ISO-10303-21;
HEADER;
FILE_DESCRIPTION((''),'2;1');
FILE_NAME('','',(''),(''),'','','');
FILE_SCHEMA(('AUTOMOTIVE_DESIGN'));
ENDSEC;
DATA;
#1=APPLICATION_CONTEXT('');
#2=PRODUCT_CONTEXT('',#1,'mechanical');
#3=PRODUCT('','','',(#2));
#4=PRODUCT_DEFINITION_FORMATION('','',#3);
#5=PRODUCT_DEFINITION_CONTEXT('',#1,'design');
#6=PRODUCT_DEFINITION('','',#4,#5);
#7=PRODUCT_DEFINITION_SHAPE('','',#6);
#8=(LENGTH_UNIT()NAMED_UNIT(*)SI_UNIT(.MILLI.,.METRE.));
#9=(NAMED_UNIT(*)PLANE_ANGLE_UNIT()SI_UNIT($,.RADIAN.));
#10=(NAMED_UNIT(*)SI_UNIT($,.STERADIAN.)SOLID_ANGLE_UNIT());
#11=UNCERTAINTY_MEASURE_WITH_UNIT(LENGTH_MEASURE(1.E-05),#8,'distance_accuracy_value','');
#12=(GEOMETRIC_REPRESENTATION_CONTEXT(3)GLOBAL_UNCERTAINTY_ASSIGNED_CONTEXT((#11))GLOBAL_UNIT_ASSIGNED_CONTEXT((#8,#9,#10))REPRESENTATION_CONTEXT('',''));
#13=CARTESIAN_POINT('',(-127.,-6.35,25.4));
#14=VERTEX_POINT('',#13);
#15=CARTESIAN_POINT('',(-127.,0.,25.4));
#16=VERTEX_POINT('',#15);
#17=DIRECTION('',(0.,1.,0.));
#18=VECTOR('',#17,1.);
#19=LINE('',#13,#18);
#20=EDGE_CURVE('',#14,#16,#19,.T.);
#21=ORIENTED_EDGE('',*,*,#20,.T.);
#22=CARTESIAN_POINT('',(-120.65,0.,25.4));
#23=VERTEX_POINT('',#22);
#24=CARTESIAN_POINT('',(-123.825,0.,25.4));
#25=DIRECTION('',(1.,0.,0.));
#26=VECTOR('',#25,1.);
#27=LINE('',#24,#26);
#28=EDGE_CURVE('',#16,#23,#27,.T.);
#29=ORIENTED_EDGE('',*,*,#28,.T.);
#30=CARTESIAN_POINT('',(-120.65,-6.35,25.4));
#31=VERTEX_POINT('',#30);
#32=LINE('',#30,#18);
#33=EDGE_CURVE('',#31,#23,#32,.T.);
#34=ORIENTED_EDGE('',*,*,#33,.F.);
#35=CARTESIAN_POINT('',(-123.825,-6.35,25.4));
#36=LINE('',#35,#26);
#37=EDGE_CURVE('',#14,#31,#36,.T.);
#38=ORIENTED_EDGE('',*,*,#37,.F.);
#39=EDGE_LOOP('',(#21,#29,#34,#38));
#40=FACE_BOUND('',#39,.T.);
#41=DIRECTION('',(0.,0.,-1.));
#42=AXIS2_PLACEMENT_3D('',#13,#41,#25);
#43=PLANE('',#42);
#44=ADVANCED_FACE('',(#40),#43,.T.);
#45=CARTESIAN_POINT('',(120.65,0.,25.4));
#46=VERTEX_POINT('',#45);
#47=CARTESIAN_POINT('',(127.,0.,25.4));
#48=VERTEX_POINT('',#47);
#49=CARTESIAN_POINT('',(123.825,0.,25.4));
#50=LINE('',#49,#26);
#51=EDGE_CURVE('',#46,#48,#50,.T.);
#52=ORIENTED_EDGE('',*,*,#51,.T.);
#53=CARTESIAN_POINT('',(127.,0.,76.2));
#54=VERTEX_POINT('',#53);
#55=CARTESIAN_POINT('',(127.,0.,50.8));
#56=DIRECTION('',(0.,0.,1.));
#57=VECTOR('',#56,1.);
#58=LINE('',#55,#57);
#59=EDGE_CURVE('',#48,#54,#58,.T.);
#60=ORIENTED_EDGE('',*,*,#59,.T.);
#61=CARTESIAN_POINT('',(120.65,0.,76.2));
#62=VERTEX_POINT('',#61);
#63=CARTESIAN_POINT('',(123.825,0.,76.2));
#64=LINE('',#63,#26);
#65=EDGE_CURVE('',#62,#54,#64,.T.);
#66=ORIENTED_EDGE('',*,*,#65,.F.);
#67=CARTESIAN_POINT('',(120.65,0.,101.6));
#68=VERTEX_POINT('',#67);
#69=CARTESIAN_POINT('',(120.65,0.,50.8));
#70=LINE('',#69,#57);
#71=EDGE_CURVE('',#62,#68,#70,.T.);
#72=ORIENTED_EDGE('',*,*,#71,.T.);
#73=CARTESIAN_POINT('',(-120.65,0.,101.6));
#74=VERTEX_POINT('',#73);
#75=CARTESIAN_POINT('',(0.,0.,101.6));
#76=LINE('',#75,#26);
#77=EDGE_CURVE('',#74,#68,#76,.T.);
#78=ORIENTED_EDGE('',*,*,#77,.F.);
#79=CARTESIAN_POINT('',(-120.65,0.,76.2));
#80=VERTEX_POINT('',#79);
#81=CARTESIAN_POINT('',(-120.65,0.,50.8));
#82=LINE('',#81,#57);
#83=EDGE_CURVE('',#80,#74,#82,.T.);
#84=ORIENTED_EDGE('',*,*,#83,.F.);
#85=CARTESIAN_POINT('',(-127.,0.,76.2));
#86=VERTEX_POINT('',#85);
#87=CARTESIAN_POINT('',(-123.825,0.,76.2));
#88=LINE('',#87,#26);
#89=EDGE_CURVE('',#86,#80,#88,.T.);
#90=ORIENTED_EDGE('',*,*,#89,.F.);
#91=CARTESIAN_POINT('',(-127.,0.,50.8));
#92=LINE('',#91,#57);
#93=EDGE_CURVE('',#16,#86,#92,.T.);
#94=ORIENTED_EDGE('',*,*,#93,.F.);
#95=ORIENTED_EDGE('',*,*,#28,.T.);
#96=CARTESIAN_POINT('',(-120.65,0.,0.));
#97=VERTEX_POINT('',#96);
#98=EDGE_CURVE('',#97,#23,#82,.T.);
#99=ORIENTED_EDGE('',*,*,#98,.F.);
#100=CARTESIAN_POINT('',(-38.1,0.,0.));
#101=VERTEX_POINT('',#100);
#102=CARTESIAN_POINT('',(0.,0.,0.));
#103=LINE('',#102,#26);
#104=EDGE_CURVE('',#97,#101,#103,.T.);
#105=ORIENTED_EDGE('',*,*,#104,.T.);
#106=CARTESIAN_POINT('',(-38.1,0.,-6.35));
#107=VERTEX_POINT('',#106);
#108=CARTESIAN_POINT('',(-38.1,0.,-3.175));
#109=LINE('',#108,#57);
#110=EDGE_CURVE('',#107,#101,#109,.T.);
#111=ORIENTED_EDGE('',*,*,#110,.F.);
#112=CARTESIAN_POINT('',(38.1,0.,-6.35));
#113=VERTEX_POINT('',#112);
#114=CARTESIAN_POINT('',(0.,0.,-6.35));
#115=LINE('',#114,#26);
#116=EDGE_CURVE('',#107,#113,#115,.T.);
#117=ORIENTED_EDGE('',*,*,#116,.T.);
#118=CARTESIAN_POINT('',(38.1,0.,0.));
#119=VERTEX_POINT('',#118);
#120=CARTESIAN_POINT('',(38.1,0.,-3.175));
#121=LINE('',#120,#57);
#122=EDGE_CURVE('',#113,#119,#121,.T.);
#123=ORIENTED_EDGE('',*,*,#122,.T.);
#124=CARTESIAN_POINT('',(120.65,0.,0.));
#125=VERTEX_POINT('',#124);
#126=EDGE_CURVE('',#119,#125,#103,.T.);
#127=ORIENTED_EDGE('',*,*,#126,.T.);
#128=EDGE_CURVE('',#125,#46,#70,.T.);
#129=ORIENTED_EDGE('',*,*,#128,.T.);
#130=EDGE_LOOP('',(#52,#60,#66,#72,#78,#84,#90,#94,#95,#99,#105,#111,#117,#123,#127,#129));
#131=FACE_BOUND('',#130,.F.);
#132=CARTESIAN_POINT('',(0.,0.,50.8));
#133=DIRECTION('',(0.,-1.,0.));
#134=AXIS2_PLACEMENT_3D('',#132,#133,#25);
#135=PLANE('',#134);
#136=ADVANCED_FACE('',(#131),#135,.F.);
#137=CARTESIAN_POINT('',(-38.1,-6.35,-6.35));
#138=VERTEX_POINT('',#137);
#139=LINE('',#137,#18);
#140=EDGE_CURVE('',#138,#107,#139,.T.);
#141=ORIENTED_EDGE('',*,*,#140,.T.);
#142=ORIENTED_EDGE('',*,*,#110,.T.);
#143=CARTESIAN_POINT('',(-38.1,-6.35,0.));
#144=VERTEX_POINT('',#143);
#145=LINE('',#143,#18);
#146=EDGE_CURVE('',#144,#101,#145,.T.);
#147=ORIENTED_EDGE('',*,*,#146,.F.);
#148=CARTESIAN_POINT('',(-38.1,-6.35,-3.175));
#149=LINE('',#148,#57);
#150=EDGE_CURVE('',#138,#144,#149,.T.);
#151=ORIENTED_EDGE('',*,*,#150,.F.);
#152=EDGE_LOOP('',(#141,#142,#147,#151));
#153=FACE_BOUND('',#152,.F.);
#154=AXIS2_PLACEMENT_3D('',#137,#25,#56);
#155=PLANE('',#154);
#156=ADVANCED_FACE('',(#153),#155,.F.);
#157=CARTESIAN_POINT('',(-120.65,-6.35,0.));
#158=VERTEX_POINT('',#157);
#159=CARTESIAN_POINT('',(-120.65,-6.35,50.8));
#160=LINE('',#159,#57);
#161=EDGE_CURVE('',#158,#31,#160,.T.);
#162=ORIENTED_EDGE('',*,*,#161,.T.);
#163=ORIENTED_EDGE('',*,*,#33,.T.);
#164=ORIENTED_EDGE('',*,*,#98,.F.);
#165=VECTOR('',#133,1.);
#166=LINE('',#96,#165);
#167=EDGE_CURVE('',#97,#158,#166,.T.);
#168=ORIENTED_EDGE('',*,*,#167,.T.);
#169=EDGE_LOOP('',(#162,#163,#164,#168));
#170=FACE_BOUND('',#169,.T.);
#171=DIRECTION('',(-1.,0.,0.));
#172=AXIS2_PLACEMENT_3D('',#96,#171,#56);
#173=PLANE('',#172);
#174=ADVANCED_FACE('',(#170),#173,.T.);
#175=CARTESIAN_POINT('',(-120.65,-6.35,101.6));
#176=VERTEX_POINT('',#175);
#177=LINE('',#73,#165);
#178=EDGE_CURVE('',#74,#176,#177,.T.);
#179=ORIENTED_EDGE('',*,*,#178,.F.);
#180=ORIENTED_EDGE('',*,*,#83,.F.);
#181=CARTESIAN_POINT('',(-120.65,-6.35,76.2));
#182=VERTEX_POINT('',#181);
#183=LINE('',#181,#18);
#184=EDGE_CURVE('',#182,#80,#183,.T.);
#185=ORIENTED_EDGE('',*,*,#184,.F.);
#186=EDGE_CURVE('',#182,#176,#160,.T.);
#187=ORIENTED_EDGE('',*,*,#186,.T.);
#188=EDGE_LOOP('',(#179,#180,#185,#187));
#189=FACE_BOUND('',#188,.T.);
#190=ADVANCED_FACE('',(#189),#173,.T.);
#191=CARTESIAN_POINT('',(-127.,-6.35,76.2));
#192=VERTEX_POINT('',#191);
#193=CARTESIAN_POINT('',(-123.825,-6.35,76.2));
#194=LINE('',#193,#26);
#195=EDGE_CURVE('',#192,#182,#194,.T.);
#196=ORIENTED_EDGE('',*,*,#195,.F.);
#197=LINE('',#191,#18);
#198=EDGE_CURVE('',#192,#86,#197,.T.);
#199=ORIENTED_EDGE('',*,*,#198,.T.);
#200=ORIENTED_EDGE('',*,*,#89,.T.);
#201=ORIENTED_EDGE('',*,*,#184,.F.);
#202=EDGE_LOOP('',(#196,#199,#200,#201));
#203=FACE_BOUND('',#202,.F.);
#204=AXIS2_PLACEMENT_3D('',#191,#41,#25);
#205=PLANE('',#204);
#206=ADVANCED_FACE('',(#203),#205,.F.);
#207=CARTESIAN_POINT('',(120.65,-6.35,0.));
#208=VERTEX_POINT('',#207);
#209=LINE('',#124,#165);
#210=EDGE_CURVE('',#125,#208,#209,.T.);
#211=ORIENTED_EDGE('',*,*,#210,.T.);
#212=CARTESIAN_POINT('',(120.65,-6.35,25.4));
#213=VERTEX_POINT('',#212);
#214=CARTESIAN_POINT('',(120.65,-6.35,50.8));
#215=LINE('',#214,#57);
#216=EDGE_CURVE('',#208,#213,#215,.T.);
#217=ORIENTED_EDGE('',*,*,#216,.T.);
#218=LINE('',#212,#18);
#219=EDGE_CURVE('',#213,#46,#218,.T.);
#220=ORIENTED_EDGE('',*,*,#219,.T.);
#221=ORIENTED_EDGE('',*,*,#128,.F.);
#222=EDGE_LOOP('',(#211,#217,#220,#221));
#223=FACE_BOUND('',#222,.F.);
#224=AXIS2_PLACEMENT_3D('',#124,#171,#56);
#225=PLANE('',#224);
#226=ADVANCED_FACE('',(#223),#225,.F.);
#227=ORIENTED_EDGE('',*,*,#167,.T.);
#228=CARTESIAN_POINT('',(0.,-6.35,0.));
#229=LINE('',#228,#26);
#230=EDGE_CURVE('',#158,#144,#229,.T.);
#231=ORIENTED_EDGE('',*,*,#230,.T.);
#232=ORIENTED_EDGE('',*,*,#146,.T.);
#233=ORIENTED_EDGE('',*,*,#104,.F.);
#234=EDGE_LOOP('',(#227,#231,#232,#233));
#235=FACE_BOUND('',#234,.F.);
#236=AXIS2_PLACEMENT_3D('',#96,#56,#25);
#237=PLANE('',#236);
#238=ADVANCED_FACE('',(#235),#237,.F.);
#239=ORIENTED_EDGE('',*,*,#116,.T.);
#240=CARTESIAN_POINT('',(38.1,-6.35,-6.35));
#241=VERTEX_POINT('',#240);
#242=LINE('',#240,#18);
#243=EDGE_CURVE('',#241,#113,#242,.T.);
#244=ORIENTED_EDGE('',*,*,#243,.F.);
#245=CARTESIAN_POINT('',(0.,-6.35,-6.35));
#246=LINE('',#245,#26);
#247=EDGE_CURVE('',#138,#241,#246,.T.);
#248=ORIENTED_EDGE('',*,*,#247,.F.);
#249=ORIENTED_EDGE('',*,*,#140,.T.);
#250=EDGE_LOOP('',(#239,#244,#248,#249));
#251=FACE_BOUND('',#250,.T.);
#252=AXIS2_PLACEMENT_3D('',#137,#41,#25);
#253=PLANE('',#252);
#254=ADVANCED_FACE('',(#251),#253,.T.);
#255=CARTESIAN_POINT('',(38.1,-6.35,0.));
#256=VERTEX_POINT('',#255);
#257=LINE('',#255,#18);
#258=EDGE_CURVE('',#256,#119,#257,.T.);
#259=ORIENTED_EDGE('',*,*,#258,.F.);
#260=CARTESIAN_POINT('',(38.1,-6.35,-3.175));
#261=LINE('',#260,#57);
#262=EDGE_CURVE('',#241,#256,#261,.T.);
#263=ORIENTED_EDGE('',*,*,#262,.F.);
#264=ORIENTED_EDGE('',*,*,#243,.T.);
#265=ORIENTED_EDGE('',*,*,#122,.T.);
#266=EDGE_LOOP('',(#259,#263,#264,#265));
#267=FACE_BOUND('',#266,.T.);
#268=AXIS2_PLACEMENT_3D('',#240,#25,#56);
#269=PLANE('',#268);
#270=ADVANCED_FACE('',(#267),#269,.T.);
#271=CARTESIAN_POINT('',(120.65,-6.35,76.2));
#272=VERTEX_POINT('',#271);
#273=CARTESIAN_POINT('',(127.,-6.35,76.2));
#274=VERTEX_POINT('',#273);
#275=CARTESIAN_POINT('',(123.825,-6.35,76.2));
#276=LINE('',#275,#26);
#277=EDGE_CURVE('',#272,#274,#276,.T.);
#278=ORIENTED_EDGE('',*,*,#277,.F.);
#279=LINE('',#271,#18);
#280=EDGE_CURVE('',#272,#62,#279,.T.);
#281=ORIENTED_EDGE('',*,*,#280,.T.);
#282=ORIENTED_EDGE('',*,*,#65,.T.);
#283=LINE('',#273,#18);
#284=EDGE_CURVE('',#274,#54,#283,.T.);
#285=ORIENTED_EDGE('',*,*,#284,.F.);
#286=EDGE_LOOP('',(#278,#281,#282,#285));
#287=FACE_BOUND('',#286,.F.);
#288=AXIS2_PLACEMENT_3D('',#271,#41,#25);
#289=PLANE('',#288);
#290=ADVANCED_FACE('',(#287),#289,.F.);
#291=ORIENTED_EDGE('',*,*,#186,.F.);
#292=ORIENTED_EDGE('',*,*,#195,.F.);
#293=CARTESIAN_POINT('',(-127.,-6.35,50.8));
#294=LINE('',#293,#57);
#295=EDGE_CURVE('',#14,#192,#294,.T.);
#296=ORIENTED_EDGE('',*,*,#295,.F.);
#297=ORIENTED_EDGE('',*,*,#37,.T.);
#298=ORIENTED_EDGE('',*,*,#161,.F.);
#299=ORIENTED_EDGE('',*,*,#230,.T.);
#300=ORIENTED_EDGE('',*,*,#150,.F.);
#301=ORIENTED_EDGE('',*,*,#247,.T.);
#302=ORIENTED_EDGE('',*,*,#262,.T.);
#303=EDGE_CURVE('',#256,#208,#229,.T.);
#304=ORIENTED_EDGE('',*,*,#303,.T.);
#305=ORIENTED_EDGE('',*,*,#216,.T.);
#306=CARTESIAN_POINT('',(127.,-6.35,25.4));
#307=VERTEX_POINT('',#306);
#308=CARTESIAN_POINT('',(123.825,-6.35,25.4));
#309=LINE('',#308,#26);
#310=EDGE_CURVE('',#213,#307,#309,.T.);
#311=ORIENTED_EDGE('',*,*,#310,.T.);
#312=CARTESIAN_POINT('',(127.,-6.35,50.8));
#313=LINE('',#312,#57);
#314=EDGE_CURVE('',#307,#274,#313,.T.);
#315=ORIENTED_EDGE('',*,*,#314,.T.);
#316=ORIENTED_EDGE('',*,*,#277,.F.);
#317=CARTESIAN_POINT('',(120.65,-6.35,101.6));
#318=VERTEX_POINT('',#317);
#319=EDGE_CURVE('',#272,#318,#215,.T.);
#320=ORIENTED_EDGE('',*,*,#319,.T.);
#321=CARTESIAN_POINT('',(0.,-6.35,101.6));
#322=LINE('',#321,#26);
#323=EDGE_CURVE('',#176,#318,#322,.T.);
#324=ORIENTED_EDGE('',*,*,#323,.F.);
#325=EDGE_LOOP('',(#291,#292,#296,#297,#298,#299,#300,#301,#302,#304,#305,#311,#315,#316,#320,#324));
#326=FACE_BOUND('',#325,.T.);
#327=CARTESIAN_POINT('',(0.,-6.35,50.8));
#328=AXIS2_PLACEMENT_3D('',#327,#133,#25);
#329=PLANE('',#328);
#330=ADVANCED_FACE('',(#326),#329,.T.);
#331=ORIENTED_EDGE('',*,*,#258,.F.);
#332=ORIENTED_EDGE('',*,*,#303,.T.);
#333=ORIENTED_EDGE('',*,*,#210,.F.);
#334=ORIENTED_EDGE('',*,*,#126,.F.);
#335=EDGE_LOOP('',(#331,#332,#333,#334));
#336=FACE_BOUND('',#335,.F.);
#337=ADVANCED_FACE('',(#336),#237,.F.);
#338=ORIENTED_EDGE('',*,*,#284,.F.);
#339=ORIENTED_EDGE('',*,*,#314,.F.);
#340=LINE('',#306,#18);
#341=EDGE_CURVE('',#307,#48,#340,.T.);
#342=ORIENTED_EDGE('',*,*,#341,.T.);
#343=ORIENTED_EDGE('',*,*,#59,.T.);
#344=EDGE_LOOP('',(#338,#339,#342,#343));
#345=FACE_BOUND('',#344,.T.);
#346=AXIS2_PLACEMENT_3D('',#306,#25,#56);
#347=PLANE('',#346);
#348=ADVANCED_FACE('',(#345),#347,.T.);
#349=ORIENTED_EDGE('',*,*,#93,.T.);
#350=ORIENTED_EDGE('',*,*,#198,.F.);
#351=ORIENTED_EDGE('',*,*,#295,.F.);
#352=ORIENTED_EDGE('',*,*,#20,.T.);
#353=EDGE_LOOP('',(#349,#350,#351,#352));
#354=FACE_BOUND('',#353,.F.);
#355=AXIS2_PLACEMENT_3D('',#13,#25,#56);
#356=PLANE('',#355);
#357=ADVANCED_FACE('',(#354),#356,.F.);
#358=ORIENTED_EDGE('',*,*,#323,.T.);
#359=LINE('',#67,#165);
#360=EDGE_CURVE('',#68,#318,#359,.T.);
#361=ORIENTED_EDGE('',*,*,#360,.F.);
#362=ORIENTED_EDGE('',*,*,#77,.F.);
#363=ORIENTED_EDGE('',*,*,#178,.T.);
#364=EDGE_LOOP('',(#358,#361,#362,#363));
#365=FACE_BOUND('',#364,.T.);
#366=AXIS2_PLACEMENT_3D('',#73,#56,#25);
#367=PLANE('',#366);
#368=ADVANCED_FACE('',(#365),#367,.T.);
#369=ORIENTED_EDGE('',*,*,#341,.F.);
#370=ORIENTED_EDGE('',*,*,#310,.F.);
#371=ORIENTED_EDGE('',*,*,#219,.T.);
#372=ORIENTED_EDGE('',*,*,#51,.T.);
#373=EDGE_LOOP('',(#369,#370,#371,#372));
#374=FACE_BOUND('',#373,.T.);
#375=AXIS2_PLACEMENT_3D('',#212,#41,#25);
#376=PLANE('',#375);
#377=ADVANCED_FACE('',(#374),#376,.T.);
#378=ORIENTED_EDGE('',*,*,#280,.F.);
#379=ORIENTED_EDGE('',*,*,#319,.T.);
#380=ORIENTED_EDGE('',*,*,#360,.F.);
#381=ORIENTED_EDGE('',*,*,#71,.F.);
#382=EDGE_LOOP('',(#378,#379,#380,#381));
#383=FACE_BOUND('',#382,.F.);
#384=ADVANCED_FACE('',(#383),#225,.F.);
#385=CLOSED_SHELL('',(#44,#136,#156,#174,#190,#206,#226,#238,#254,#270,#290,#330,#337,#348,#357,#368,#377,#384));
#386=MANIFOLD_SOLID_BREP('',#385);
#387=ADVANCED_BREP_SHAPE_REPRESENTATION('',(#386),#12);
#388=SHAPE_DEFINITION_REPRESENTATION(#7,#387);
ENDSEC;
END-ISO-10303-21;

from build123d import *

# Parameters (mm, degrees)
F0_W     = 241.3
F0_H     = 101.6
F1_DEPTH = 6.35
F2_W     = 76.2
F2_H     = 6.35
F3_DEPTH = 6.35
F4_W     = 6.35
F4_H     = 50.8
F5_DEPTH = 6.35


with BuildPart() as f1:
    # F0 (on Front) → F1 (new body)
    with BuildSketch(Plane.XZ):
        with Locations((0, 50.8)):
            Rectangle(F0_W, F0_H)
    extrude(amount=F1_DEPTH)

    # F2 (on face) → F3 (join)
    with BuildSketch(Plane.XZ.offset(6.35)):
        with Locations((0, -3.175)):
            Rectangle(F2_W, F2_H)
    extrude(amount=-F3_DEPTH)

    # F4 (on face) → F5 (join)
    with BuildSketch(Plane.XZ.offset(6.35)):
        with Locations((-123.825, 50.8)):
            Rectangle(F4_W, F4_H)
        with Locations((123.825, 50.8)):
            Rectangle(F4_W, F4_H)
    extrude(amount=-F5_DEPTH)


solid = f1.part
